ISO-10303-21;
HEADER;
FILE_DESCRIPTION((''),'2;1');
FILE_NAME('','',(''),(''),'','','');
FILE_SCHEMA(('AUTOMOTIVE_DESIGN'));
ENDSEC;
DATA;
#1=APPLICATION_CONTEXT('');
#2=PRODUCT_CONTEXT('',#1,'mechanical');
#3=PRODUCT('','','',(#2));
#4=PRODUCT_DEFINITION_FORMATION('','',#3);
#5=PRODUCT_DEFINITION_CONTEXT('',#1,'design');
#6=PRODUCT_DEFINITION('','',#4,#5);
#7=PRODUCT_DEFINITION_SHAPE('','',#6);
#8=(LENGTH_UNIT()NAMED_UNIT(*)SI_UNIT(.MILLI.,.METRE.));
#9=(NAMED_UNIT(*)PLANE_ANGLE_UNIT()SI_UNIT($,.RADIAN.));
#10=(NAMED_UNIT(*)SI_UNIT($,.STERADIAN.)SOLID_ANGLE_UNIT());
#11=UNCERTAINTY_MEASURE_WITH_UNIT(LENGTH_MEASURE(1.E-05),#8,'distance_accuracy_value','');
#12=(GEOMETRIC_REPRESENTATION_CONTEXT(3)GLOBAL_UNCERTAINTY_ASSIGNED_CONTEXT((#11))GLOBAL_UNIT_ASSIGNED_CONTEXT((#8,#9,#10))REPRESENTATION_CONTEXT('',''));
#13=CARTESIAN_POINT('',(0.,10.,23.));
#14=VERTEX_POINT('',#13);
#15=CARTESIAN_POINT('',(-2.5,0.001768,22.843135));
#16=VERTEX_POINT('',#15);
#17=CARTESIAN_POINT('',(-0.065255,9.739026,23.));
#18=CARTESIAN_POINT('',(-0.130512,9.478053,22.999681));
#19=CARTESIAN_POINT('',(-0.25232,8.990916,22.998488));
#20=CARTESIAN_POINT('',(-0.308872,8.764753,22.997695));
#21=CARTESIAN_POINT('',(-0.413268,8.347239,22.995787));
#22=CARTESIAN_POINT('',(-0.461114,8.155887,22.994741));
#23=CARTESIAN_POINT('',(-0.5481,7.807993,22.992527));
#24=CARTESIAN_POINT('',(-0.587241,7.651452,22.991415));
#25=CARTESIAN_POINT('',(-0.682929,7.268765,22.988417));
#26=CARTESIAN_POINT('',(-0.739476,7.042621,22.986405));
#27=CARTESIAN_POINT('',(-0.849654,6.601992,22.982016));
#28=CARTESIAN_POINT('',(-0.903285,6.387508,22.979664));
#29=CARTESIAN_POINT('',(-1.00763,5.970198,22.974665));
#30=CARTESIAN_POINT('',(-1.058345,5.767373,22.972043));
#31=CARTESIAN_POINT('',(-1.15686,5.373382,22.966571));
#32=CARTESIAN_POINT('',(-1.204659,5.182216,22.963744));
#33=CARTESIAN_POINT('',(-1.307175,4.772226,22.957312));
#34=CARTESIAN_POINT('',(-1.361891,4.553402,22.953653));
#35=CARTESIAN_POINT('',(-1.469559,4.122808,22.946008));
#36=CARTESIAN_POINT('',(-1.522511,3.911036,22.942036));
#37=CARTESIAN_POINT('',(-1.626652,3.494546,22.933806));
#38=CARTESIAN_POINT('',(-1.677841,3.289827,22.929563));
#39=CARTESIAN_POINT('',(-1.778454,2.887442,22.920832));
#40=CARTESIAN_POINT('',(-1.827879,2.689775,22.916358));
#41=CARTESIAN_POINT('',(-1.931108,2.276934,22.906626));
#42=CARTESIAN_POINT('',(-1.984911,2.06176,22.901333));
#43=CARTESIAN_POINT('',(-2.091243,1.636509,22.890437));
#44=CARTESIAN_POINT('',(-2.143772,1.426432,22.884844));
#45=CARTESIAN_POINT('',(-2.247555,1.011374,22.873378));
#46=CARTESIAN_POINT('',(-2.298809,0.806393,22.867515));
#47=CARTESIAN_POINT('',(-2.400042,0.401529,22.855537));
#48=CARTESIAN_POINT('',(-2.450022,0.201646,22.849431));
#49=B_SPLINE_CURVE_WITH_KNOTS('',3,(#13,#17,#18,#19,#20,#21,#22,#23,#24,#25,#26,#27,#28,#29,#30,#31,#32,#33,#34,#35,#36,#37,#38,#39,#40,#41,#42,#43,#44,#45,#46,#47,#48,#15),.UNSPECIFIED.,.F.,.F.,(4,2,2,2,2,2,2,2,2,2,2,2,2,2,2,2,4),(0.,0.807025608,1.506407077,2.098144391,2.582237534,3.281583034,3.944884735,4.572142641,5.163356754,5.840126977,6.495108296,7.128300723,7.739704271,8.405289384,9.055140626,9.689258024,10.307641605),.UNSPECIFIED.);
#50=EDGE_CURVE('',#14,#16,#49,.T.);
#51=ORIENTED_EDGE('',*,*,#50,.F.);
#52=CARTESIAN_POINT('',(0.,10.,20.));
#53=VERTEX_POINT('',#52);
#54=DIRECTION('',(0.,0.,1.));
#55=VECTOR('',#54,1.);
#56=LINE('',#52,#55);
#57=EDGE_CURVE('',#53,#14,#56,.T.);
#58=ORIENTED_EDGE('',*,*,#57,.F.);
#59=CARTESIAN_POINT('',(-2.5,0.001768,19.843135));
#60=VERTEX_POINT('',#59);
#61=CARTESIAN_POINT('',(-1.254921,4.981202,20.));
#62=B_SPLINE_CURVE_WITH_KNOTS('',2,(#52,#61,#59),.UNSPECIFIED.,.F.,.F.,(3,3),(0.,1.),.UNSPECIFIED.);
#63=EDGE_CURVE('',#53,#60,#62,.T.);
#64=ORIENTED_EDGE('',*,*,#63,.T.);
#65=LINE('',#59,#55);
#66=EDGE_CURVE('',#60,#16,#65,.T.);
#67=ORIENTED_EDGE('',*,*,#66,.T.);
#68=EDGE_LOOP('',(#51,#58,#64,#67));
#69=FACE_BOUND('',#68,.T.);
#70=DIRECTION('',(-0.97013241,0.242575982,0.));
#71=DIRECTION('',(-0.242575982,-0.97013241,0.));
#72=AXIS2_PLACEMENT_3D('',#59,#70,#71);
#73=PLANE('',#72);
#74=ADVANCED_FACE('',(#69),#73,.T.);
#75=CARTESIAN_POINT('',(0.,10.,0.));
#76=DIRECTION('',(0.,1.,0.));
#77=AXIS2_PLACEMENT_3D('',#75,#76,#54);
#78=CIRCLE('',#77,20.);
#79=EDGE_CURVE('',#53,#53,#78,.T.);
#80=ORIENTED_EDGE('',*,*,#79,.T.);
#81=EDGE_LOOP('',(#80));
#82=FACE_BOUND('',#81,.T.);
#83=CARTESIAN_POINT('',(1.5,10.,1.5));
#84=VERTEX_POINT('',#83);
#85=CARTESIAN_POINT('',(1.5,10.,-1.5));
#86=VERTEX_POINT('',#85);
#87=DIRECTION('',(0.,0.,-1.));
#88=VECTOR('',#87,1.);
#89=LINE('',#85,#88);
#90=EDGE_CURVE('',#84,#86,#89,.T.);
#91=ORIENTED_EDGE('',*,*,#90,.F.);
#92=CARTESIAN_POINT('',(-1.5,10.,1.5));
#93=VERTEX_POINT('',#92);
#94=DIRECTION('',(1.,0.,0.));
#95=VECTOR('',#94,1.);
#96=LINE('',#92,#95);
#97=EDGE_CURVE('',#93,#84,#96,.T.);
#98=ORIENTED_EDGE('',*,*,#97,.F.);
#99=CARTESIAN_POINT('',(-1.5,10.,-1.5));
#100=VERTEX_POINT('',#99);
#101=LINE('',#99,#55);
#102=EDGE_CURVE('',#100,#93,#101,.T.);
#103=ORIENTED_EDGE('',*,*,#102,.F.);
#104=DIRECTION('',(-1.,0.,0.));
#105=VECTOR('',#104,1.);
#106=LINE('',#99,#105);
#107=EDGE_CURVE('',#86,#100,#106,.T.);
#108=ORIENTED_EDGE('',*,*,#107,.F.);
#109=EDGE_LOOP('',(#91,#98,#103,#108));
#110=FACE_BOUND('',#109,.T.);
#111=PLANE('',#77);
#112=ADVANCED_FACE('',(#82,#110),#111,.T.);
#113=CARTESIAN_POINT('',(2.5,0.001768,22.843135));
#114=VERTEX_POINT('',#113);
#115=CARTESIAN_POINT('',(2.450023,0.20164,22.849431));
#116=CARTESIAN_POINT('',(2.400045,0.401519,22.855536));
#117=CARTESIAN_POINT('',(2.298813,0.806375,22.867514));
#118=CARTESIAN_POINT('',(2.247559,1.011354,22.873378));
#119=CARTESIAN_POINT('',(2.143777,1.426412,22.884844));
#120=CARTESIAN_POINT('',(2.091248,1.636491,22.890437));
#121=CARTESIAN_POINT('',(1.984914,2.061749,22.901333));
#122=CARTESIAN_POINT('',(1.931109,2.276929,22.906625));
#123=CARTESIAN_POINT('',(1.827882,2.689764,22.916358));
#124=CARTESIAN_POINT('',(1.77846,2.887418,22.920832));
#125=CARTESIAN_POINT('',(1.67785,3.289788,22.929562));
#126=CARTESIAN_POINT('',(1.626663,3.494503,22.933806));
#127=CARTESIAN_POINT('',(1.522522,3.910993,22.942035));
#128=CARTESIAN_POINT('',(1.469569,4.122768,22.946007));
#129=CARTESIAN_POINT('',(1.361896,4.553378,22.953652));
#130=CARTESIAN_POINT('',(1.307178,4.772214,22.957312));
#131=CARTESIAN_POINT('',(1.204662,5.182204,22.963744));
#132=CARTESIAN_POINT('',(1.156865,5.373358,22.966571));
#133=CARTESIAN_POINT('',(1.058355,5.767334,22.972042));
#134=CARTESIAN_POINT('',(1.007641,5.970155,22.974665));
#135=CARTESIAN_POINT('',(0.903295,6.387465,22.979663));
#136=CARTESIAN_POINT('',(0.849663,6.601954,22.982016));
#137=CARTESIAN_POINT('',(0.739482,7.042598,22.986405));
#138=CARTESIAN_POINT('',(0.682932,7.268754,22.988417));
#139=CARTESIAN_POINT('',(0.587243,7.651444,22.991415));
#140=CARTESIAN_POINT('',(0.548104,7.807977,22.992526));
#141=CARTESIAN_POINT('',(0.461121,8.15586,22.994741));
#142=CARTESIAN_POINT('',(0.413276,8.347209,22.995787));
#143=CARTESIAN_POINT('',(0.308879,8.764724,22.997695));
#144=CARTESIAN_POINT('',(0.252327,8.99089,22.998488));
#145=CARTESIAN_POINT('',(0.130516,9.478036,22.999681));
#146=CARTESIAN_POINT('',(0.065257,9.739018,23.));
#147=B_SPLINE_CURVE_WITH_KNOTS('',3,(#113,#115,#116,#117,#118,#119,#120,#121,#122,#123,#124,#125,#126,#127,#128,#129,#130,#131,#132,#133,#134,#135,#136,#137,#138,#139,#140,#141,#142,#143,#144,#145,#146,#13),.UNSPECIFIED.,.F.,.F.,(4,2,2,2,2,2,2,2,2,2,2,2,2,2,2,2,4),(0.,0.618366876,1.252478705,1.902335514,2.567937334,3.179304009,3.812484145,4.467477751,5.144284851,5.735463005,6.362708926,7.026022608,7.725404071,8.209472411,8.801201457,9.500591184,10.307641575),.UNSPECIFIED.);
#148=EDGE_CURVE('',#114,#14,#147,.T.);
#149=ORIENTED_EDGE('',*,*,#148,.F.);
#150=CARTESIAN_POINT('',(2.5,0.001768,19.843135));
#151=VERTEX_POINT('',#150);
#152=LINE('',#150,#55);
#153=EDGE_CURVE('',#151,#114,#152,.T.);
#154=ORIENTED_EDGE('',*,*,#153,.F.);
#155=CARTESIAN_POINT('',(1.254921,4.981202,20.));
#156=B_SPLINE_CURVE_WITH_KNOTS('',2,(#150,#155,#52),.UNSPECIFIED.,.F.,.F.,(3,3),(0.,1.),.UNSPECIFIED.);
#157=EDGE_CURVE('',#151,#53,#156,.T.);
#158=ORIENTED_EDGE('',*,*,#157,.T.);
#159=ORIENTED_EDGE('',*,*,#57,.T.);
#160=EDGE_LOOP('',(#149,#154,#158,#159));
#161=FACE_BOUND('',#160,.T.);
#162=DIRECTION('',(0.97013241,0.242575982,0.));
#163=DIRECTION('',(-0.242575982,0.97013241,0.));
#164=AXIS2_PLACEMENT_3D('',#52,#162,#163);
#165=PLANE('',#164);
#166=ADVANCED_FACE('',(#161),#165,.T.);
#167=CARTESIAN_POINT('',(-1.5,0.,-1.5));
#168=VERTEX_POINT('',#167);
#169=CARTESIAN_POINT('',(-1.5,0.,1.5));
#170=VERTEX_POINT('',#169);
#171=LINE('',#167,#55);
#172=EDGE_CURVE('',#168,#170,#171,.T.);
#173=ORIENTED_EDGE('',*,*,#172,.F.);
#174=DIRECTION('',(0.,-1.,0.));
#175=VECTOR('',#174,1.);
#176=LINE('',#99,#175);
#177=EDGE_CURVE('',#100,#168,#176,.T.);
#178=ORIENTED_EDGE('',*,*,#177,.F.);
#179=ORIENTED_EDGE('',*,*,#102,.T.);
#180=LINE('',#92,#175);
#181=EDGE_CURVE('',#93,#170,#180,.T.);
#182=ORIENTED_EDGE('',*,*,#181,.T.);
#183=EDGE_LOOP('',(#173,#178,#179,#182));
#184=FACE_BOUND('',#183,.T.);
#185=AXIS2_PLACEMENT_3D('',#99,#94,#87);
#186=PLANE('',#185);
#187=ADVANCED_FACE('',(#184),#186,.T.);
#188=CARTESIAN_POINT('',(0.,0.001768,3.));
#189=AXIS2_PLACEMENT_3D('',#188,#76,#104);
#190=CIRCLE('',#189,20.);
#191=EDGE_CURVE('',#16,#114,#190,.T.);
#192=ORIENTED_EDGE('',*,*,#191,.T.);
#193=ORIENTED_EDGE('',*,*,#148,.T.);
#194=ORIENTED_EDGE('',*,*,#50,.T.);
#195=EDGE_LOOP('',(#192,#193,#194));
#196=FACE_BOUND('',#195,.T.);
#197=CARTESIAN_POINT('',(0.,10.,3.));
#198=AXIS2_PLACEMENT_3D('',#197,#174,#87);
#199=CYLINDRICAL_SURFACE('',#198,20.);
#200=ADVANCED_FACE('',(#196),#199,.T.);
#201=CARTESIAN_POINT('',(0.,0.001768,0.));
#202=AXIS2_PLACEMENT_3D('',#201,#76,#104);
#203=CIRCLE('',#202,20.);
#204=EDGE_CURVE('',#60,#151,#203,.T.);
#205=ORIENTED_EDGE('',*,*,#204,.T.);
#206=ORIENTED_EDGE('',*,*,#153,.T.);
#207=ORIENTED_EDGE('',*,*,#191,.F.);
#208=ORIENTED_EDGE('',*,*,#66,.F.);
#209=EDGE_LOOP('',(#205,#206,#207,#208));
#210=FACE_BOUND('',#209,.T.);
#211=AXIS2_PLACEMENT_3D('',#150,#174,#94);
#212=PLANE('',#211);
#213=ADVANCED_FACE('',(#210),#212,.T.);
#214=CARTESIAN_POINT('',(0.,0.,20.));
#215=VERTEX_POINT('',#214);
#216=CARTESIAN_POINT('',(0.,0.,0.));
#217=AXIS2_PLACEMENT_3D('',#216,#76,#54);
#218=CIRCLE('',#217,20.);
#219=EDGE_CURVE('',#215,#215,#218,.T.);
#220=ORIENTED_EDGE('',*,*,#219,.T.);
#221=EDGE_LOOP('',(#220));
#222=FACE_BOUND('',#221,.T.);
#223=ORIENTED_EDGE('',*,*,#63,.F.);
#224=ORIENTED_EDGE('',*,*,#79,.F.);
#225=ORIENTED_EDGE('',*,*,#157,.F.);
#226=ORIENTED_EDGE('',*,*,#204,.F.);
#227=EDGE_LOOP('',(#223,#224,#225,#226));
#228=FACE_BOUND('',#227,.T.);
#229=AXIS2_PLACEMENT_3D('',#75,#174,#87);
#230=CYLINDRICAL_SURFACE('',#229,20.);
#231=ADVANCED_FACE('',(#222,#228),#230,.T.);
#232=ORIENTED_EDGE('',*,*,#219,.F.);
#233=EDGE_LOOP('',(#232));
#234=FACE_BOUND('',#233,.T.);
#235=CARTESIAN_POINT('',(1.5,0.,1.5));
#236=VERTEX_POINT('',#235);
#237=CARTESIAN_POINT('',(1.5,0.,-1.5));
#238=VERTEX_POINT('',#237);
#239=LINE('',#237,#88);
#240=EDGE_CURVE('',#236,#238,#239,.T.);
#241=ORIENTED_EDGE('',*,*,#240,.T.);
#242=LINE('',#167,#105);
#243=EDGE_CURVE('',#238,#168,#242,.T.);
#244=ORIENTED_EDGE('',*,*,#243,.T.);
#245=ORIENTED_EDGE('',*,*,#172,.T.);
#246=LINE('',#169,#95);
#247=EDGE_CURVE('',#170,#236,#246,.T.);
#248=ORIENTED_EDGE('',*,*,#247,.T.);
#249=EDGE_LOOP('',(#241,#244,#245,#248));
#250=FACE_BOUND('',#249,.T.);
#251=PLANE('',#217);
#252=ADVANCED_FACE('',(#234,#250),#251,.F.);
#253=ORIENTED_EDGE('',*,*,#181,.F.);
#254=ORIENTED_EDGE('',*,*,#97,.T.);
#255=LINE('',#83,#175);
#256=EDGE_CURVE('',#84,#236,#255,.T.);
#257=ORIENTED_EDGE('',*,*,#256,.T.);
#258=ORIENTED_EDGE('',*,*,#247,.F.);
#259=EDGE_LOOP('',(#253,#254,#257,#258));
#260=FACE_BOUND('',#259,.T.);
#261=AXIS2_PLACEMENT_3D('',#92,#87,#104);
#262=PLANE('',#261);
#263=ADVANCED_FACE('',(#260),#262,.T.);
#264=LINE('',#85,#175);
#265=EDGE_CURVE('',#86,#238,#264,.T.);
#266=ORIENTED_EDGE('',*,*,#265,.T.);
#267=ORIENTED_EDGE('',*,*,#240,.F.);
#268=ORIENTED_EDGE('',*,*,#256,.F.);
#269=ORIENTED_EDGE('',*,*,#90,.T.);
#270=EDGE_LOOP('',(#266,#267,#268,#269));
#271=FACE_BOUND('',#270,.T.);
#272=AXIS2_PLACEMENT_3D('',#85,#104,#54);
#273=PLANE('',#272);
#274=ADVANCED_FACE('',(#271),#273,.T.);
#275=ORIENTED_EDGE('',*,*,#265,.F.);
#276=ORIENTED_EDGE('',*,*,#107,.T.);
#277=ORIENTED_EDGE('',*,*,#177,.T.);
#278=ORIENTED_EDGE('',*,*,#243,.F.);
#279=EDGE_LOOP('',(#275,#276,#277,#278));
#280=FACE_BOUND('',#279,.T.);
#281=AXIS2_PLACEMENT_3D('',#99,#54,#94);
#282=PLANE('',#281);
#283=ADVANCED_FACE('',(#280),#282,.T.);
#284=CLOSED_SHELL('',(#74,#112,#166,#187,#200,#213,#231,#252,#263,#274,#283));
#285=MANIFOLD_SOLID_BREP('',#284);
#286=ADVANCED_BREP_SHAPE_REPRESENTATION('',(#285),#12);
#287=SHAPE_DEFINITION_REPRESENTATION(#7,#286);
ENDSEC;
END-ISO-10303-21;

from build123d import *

# Parameters (mm, degrees)
SKETCH1_R                  = 20
SKETCH1_W                  = 3
SKETCH1_H                  = 3
BOSS_EXTRUDE1_DEPTH        = 10
BOSS_EXTRUDE2_REACH        = 35
BOSS_EXTRUDE2_START_RADIUS = 20
BOSS_EXTRUDE2_END_RADIUS   = 20


with BuildPart() as part:
    # Sketch1 → Boss-Extrude1 (new body)
    with BuildSketch(Plane(origin=(0, 0, 0), x_dir=(1, 0, 0), z_dir=(0, 1, 0))):
        with Locations(Location((0, 0, 0), (0, 0, 270))):
            Circle(SKETCH1_R)
        Rectangle(SKETCH1_W, SKETCH1_H, mode=Mode.SUBTRACT)
    extrude(amount=BOSS_EXTRUDE1_DEPTH)

    # Boss-Extrude2: from a cylinder face, 35 long prism both ways, kept between that surface and its translate by the depth
    boss_extrude2_start = Plane(origin=(0, 3.334512, 0), z_dir=(0, -1, 0)) * Cylinder(BOSS_EXTRUDE2_START_RADIUS, 111, mode=Mode.PRIVATE)
    boss_extrude2_end = Plane(origin=(0, 3.334512, 3), z_dir=(0, -1, 0)) * Cylinder(BOSS_EXTRUDE2_END_RADIUS, 111, mode=Mode.PRIVATE)
    # Sketch2 → Boss-Extrude2 (add, from a surface)
    with BuildSketch(Plane.XY, mode=Mode.PRIVATE) as boss_extrude2_sk1:
        Polygon((0, 10), (-2.5, 0.001767652), (2.5, 0.001767652), align=None)
    boss_extrude2_tool1 = extrude(boss_extrude2_sk1.sketch, amount=BOSS_EXTRUDE2_REACH, both=True, mode=Mode.PRIVATE)
    add(((boss_extrude2_tool1 - boss_extrude2_start) & boss_extrude2_end).solids().sort_by_distance((0, 3.334512, 21.421567))[0])


solid = part.part
